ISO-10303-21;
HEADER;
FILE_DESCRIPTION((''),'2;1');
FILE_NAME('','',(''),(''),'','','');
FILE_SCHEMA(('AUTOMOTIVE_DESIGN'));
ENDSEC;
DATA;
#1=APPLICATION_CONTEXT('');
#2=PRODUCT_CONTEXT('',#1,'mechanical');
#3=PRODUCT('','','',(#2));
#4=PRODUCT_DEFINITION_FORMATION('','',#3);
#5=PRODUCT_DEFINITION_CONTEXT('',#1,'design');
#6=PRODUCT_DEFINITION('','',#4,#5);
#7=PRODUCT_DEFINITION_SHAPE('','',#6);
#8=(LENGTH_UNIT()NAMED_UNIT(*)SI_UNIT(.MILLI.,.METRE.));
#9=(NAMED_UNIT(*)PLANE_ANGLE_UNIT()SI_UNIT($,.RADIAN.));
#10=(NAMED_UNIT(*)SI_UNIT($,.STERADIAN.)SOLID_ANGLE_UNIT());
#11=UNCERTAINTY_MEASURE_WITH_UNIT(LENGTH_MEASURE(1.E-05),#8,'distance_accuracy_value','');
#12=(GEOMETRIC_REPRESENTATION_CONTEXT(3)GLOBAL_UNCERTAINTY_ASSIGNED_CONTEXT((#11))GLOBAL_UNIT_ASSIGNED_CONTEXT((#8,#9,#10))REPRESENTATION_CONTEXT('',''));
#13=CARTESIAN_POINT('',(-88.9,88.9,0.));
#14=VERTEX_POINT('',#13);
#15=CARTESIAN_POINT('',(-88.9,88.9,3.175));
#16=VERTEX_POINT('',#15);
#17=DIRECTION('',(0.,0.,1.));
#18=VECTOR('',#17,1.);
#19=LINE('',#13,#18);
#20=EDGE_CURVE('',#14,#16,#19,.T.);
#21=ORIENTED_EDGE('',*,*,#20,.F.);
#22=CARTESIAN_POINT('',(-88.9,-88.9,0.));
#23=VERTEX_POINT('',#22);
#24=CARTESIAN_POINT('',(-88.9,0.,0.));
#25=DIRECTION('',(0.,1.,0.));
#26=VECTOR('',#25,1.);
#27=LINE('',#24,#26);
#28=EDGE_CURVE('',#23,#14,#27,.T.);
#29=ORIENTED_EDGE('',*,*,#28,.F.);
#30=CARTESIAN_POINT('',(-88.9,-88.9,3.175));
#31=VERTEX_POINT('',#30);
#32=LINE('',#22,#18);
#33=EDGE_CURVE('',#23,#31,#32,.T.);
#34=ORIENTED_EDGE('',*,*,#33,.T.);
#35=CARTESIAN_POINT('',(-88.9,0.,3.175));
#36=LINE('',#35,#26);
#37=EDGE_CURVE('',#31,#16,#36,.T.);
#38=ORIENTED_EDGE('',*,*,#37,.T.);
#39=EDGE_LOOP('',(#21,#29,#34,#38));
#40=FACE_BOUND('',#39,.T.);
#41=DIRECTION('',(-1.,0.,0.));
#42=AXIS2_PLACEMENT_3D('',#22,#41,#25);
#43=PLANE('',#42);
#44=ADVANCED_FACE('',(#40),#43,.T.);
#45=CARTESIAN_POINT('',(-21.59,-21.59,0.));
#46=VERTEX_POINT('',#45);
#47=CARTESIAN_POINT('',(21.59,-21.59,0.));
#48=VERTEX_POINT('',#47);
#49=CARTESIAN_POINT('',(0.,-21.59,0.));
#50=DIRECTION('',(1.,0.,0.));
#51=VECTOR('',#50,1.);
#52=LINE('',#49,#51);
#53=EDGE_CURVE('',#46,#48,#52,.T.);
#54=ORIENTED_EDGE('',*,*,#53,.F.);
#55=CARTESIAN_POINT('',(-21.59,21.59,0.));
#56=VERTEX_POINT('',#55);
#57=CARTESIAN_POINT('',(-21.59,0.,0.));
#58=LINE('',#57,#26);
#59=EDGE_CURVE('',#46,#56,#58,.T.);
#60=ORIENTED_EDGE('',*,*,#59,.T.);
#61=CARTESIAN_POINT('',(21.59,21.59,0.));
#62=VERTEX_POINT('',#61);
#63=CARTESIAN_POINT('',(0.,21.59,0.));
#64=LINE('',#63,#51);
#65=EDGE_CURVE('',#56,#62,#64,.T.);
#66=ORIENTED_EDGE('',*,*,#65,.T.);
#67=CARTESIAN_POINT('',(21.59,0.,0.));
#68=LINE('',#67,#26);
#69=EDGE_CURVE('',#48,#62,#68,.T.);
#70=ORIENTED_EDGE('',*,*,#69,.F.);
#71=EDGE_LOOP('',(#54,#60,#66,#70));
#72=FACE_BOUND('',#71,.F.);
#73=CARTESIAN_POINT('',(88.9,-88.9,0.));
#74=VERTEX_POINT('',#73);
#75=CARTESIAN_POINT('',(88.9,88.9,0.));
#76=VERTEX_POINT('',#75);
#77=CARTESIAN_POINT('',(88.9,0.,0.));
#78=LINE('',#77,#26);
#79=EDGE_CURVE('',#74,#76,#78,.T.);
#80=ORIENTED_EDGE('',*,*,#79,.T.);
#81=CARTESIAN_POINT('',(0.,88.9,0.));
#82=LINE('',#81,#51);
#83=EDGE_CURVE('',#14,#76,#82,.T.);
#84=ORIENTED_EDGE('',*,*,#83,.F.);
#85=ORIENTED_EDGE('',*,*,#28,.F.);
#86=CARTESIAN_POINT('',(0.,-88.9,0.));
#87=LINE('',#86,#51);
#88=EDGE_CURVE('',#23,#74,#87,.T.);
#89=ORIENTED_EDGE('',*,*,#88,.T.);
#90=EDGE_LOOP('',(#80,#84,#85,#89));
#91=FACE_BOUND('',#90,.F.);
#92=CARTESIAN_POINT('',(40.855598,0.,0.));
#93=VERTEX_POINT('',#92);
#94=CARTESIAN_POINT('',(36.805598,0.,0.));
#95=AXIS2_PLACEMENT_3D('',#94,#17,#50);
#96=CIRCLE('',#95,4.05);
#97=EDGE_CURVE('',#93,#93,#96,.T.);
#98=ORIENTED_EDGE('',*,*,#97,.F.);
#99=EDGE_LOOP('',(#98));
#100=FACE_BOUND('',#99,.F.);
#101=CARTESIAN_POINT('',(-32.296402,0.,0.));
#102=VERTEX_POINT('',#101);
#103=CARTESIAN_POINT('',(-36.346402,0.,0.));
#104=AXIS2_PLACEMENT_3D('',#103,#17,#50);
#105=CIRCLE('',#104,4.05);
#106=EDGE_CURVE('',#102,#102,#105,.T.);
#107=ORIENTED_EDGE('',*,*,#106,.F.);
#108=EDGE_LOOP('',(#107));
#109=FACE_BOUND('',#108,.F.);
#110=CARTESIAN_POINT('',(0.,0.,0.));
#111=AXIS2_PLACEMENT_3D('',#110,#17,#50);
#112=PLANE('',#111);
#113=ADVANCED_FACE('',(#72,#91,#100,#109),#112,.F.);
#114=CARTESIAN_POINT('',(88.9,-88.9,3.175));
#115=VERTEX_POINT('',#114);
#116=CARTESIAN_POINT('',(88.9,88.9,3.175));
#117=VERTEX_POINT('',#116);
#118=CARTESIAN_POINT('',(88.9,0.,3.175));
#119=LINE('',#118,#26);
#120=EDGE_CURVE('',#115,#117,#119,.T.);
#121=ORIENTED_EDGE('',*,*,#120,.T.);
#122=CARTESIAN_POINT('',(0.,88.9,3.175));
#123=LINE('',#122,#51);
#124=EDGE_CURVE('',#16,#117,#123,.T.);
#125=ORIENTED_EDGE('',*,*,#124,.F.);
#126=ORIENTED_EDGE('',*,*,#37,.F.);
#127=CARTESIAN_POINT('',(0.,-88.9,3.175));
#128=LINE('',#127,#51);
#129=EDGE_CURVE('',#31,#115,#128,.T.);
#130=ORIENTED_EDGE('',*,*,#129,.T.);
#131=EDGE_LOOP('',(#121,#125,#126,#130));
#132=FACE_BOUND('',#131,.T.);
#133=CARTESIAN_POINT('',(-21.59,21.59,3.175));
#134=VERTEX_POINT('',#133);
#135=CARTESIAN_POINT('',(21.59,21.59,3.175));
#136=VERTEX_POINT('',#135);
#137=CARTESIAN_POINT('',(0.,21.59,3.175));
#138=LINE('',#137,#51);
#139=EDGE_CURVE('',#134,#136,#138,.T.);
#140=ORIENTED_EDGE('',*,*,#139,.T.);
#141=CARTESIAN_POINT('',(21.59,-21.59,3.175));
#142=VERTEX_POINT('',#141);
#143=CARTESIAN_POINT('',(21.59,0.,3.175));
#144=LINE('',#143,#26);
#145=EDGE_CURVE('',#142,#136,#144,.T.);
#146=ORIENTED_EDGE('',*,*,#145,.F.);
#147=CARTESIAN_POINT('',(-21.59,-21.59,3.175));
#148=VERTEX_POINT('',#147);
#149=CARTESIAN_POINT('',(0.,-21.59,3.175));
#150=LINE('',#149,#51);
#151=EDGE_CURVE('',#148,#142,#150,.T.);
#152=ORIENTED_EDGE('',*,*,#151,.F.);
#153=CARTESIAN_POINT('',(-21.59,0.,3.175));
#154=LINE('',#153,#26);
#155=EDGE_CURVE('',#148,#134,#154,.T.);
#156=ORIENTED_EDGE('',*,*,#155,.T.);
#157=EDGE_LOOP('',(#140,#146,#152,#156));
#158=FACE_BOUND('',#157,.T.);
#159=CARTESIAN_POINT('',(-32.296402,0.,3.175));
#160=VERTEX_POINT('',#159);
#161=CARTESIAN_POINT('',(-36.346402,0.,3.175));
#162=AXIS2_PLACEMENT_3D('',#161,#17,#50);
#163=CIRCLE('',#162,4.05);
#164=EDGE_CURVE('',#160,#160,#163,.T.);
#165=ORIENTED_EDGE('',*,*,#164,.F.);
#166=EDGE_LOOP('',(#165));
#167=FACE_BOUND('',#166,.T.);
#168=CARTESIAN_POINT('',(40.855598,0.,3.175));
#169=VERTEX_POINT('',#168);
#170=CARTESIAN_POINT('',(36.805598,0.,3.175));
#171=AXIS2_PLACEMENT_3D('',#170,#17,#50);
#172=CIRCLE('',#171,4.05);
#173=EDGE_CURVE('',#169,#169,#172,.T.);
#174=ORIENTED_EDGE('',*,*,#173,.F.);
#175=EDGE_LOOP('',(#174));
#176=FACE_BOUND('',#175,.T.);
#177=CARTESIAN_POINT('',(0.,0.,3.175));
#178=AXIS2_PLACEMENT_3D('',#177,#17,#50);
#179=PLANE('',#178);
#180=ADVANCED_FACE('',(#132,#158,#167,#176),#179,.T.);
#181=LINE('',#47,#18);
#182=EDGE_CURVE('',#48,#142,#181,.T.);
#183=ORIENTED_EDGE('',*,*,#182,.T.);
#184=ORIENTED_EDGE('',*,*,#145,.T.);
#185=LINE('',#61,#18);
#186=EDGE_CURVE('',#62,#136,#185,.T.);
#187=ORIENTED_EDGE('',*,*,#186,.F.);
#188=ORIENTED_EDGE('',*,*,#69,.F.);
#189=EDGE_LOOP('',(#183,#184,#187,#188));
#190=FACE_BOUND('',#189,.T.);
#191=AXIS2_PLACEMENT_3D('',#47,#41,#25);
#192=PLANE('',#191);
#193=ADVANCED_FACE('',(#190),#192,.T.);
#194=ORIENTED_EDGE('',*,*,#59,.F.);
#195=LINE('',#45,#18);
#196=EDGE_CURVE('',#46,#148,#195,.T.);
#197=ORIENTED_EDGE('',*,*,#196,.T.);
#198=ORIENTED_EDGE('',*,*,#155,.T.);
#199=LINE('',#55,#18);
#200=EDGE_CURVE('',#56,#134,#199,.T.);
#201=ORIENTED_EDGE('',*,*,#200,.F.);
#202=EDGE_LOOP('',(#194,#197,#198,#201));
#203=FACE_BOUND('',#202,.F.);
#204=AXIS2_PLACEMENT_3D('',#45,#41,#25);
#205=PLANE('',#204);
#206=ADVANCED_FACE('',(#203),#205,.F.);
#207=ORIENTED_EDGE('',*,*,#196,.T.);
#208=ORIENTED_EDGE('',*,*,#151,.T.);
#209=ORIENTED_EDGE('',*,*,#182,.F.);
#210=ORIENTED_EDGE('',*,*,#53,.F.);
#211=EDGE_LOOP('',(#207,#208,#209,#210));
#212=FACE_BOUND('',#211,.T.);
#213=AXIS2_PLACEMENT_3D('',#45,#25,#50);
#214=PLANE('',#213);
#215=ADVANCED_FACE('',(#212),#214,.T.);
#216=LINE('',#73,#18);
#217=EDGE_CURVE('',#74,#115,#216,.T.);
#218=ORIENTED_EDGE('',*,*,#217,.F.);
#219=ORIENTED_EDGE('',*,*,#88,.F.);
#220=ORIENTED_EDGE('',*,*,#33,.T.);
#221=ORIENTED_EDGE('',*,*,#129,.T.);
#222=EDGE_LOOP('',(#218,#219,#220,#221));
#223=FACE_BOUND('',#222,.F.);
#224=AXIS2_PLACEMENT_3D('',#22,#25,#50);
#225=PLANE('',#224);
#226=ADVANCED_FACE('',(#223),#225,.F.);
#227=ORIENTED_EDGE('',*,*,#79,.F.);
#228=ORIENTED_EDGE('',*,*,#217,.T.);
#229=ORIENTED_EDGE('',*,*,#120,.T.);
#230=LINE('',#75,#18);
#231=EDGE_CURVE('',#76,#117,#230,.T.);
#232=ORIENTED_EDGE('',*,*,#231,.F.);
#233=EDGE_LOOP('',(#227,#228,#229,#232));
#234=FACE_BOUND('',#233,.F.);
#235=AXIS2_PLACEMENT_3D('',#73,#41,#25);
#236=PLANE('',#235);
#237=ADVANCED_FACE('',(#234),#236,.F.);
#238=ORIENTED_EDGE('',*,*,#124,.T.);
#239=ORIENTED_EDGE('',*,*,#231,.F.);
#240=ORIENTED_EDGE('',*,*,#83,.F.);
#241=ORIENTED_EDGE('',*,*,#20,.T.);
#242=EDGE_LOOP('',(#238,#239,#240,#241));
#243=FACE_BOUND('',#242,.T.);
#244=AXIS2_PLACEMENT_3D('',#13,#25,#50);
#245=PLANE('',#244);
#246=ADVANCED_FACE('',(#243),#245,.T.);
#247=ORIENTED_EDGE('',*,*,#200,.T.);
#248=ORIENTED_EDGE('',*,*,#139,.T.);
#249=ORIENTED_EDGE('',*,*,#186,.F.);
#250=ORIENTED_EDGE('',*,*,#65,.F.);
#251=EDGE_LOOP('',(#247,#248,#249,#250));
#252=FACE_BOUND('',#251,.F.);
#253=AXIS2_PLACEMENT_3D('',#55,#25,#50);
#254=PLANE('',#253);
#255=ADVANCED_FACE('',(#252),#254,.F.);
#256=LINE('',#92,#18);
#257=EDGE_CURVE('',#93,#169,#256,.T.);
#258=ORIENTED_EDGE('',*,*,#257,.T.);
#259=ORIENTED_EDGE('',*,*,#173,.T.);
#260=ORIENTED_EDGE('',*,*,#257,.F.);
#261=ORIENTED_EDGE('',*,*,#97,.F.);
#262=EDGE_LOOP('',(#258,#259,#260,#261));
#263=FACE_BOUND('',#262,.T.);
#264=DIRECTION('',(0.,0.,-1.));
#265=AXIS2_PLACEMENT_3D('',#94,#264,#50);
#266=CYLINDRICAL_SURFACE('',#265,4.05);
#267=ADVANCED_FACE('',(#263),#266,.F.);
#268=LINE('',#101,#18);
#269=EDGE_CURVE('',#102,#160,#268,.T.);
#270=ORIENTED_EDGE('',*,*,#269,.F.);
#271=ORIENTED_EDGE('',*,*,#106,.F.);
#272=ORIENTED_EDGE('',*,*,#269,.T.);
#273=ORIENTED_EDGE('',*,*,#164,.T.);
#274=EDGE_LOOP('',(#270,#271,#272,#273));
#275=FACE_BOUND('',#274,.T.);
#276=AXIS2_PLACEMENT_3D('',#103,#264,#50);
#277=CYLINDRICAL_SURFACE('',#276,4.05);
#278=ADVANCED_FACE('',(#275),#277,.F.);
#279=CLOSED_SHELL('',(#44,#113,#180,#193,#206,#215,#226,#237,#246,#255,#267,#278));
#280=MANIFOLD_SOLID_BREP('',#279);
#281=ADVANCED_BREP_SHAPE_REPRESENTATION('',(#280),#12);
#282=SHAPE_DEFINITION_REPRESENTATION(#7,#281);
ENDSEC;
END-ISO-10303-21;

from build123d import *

# Parameters (mm, degrees)
F0_W     = 177.8
F0_H     = 177.8
F0_R     = 4.05
F0_W_2   = 43.18
F0_H_2   = 43.18
F1_DEPTH = 3.175


with BuildPart() as f1:
    # F0 (on Top) → F1 (new body)
    with BuildSketch(Plane.XY):
        Rectangle(F0_W, F0_H)
        with Locations((-36.346402, 0)):
            Circle(F0_R, mode=Mode.SUBTRACT)
        Rectangle(F0_W_2, F0_H_2, mode=Mode.SUBTRACT)
        with Locations((36.805598, 0)):
            Circle(F0_R, mode=Mode.SUBTRACT)
    extrude(amount=F1_DEPTH)


solid = f1.part
